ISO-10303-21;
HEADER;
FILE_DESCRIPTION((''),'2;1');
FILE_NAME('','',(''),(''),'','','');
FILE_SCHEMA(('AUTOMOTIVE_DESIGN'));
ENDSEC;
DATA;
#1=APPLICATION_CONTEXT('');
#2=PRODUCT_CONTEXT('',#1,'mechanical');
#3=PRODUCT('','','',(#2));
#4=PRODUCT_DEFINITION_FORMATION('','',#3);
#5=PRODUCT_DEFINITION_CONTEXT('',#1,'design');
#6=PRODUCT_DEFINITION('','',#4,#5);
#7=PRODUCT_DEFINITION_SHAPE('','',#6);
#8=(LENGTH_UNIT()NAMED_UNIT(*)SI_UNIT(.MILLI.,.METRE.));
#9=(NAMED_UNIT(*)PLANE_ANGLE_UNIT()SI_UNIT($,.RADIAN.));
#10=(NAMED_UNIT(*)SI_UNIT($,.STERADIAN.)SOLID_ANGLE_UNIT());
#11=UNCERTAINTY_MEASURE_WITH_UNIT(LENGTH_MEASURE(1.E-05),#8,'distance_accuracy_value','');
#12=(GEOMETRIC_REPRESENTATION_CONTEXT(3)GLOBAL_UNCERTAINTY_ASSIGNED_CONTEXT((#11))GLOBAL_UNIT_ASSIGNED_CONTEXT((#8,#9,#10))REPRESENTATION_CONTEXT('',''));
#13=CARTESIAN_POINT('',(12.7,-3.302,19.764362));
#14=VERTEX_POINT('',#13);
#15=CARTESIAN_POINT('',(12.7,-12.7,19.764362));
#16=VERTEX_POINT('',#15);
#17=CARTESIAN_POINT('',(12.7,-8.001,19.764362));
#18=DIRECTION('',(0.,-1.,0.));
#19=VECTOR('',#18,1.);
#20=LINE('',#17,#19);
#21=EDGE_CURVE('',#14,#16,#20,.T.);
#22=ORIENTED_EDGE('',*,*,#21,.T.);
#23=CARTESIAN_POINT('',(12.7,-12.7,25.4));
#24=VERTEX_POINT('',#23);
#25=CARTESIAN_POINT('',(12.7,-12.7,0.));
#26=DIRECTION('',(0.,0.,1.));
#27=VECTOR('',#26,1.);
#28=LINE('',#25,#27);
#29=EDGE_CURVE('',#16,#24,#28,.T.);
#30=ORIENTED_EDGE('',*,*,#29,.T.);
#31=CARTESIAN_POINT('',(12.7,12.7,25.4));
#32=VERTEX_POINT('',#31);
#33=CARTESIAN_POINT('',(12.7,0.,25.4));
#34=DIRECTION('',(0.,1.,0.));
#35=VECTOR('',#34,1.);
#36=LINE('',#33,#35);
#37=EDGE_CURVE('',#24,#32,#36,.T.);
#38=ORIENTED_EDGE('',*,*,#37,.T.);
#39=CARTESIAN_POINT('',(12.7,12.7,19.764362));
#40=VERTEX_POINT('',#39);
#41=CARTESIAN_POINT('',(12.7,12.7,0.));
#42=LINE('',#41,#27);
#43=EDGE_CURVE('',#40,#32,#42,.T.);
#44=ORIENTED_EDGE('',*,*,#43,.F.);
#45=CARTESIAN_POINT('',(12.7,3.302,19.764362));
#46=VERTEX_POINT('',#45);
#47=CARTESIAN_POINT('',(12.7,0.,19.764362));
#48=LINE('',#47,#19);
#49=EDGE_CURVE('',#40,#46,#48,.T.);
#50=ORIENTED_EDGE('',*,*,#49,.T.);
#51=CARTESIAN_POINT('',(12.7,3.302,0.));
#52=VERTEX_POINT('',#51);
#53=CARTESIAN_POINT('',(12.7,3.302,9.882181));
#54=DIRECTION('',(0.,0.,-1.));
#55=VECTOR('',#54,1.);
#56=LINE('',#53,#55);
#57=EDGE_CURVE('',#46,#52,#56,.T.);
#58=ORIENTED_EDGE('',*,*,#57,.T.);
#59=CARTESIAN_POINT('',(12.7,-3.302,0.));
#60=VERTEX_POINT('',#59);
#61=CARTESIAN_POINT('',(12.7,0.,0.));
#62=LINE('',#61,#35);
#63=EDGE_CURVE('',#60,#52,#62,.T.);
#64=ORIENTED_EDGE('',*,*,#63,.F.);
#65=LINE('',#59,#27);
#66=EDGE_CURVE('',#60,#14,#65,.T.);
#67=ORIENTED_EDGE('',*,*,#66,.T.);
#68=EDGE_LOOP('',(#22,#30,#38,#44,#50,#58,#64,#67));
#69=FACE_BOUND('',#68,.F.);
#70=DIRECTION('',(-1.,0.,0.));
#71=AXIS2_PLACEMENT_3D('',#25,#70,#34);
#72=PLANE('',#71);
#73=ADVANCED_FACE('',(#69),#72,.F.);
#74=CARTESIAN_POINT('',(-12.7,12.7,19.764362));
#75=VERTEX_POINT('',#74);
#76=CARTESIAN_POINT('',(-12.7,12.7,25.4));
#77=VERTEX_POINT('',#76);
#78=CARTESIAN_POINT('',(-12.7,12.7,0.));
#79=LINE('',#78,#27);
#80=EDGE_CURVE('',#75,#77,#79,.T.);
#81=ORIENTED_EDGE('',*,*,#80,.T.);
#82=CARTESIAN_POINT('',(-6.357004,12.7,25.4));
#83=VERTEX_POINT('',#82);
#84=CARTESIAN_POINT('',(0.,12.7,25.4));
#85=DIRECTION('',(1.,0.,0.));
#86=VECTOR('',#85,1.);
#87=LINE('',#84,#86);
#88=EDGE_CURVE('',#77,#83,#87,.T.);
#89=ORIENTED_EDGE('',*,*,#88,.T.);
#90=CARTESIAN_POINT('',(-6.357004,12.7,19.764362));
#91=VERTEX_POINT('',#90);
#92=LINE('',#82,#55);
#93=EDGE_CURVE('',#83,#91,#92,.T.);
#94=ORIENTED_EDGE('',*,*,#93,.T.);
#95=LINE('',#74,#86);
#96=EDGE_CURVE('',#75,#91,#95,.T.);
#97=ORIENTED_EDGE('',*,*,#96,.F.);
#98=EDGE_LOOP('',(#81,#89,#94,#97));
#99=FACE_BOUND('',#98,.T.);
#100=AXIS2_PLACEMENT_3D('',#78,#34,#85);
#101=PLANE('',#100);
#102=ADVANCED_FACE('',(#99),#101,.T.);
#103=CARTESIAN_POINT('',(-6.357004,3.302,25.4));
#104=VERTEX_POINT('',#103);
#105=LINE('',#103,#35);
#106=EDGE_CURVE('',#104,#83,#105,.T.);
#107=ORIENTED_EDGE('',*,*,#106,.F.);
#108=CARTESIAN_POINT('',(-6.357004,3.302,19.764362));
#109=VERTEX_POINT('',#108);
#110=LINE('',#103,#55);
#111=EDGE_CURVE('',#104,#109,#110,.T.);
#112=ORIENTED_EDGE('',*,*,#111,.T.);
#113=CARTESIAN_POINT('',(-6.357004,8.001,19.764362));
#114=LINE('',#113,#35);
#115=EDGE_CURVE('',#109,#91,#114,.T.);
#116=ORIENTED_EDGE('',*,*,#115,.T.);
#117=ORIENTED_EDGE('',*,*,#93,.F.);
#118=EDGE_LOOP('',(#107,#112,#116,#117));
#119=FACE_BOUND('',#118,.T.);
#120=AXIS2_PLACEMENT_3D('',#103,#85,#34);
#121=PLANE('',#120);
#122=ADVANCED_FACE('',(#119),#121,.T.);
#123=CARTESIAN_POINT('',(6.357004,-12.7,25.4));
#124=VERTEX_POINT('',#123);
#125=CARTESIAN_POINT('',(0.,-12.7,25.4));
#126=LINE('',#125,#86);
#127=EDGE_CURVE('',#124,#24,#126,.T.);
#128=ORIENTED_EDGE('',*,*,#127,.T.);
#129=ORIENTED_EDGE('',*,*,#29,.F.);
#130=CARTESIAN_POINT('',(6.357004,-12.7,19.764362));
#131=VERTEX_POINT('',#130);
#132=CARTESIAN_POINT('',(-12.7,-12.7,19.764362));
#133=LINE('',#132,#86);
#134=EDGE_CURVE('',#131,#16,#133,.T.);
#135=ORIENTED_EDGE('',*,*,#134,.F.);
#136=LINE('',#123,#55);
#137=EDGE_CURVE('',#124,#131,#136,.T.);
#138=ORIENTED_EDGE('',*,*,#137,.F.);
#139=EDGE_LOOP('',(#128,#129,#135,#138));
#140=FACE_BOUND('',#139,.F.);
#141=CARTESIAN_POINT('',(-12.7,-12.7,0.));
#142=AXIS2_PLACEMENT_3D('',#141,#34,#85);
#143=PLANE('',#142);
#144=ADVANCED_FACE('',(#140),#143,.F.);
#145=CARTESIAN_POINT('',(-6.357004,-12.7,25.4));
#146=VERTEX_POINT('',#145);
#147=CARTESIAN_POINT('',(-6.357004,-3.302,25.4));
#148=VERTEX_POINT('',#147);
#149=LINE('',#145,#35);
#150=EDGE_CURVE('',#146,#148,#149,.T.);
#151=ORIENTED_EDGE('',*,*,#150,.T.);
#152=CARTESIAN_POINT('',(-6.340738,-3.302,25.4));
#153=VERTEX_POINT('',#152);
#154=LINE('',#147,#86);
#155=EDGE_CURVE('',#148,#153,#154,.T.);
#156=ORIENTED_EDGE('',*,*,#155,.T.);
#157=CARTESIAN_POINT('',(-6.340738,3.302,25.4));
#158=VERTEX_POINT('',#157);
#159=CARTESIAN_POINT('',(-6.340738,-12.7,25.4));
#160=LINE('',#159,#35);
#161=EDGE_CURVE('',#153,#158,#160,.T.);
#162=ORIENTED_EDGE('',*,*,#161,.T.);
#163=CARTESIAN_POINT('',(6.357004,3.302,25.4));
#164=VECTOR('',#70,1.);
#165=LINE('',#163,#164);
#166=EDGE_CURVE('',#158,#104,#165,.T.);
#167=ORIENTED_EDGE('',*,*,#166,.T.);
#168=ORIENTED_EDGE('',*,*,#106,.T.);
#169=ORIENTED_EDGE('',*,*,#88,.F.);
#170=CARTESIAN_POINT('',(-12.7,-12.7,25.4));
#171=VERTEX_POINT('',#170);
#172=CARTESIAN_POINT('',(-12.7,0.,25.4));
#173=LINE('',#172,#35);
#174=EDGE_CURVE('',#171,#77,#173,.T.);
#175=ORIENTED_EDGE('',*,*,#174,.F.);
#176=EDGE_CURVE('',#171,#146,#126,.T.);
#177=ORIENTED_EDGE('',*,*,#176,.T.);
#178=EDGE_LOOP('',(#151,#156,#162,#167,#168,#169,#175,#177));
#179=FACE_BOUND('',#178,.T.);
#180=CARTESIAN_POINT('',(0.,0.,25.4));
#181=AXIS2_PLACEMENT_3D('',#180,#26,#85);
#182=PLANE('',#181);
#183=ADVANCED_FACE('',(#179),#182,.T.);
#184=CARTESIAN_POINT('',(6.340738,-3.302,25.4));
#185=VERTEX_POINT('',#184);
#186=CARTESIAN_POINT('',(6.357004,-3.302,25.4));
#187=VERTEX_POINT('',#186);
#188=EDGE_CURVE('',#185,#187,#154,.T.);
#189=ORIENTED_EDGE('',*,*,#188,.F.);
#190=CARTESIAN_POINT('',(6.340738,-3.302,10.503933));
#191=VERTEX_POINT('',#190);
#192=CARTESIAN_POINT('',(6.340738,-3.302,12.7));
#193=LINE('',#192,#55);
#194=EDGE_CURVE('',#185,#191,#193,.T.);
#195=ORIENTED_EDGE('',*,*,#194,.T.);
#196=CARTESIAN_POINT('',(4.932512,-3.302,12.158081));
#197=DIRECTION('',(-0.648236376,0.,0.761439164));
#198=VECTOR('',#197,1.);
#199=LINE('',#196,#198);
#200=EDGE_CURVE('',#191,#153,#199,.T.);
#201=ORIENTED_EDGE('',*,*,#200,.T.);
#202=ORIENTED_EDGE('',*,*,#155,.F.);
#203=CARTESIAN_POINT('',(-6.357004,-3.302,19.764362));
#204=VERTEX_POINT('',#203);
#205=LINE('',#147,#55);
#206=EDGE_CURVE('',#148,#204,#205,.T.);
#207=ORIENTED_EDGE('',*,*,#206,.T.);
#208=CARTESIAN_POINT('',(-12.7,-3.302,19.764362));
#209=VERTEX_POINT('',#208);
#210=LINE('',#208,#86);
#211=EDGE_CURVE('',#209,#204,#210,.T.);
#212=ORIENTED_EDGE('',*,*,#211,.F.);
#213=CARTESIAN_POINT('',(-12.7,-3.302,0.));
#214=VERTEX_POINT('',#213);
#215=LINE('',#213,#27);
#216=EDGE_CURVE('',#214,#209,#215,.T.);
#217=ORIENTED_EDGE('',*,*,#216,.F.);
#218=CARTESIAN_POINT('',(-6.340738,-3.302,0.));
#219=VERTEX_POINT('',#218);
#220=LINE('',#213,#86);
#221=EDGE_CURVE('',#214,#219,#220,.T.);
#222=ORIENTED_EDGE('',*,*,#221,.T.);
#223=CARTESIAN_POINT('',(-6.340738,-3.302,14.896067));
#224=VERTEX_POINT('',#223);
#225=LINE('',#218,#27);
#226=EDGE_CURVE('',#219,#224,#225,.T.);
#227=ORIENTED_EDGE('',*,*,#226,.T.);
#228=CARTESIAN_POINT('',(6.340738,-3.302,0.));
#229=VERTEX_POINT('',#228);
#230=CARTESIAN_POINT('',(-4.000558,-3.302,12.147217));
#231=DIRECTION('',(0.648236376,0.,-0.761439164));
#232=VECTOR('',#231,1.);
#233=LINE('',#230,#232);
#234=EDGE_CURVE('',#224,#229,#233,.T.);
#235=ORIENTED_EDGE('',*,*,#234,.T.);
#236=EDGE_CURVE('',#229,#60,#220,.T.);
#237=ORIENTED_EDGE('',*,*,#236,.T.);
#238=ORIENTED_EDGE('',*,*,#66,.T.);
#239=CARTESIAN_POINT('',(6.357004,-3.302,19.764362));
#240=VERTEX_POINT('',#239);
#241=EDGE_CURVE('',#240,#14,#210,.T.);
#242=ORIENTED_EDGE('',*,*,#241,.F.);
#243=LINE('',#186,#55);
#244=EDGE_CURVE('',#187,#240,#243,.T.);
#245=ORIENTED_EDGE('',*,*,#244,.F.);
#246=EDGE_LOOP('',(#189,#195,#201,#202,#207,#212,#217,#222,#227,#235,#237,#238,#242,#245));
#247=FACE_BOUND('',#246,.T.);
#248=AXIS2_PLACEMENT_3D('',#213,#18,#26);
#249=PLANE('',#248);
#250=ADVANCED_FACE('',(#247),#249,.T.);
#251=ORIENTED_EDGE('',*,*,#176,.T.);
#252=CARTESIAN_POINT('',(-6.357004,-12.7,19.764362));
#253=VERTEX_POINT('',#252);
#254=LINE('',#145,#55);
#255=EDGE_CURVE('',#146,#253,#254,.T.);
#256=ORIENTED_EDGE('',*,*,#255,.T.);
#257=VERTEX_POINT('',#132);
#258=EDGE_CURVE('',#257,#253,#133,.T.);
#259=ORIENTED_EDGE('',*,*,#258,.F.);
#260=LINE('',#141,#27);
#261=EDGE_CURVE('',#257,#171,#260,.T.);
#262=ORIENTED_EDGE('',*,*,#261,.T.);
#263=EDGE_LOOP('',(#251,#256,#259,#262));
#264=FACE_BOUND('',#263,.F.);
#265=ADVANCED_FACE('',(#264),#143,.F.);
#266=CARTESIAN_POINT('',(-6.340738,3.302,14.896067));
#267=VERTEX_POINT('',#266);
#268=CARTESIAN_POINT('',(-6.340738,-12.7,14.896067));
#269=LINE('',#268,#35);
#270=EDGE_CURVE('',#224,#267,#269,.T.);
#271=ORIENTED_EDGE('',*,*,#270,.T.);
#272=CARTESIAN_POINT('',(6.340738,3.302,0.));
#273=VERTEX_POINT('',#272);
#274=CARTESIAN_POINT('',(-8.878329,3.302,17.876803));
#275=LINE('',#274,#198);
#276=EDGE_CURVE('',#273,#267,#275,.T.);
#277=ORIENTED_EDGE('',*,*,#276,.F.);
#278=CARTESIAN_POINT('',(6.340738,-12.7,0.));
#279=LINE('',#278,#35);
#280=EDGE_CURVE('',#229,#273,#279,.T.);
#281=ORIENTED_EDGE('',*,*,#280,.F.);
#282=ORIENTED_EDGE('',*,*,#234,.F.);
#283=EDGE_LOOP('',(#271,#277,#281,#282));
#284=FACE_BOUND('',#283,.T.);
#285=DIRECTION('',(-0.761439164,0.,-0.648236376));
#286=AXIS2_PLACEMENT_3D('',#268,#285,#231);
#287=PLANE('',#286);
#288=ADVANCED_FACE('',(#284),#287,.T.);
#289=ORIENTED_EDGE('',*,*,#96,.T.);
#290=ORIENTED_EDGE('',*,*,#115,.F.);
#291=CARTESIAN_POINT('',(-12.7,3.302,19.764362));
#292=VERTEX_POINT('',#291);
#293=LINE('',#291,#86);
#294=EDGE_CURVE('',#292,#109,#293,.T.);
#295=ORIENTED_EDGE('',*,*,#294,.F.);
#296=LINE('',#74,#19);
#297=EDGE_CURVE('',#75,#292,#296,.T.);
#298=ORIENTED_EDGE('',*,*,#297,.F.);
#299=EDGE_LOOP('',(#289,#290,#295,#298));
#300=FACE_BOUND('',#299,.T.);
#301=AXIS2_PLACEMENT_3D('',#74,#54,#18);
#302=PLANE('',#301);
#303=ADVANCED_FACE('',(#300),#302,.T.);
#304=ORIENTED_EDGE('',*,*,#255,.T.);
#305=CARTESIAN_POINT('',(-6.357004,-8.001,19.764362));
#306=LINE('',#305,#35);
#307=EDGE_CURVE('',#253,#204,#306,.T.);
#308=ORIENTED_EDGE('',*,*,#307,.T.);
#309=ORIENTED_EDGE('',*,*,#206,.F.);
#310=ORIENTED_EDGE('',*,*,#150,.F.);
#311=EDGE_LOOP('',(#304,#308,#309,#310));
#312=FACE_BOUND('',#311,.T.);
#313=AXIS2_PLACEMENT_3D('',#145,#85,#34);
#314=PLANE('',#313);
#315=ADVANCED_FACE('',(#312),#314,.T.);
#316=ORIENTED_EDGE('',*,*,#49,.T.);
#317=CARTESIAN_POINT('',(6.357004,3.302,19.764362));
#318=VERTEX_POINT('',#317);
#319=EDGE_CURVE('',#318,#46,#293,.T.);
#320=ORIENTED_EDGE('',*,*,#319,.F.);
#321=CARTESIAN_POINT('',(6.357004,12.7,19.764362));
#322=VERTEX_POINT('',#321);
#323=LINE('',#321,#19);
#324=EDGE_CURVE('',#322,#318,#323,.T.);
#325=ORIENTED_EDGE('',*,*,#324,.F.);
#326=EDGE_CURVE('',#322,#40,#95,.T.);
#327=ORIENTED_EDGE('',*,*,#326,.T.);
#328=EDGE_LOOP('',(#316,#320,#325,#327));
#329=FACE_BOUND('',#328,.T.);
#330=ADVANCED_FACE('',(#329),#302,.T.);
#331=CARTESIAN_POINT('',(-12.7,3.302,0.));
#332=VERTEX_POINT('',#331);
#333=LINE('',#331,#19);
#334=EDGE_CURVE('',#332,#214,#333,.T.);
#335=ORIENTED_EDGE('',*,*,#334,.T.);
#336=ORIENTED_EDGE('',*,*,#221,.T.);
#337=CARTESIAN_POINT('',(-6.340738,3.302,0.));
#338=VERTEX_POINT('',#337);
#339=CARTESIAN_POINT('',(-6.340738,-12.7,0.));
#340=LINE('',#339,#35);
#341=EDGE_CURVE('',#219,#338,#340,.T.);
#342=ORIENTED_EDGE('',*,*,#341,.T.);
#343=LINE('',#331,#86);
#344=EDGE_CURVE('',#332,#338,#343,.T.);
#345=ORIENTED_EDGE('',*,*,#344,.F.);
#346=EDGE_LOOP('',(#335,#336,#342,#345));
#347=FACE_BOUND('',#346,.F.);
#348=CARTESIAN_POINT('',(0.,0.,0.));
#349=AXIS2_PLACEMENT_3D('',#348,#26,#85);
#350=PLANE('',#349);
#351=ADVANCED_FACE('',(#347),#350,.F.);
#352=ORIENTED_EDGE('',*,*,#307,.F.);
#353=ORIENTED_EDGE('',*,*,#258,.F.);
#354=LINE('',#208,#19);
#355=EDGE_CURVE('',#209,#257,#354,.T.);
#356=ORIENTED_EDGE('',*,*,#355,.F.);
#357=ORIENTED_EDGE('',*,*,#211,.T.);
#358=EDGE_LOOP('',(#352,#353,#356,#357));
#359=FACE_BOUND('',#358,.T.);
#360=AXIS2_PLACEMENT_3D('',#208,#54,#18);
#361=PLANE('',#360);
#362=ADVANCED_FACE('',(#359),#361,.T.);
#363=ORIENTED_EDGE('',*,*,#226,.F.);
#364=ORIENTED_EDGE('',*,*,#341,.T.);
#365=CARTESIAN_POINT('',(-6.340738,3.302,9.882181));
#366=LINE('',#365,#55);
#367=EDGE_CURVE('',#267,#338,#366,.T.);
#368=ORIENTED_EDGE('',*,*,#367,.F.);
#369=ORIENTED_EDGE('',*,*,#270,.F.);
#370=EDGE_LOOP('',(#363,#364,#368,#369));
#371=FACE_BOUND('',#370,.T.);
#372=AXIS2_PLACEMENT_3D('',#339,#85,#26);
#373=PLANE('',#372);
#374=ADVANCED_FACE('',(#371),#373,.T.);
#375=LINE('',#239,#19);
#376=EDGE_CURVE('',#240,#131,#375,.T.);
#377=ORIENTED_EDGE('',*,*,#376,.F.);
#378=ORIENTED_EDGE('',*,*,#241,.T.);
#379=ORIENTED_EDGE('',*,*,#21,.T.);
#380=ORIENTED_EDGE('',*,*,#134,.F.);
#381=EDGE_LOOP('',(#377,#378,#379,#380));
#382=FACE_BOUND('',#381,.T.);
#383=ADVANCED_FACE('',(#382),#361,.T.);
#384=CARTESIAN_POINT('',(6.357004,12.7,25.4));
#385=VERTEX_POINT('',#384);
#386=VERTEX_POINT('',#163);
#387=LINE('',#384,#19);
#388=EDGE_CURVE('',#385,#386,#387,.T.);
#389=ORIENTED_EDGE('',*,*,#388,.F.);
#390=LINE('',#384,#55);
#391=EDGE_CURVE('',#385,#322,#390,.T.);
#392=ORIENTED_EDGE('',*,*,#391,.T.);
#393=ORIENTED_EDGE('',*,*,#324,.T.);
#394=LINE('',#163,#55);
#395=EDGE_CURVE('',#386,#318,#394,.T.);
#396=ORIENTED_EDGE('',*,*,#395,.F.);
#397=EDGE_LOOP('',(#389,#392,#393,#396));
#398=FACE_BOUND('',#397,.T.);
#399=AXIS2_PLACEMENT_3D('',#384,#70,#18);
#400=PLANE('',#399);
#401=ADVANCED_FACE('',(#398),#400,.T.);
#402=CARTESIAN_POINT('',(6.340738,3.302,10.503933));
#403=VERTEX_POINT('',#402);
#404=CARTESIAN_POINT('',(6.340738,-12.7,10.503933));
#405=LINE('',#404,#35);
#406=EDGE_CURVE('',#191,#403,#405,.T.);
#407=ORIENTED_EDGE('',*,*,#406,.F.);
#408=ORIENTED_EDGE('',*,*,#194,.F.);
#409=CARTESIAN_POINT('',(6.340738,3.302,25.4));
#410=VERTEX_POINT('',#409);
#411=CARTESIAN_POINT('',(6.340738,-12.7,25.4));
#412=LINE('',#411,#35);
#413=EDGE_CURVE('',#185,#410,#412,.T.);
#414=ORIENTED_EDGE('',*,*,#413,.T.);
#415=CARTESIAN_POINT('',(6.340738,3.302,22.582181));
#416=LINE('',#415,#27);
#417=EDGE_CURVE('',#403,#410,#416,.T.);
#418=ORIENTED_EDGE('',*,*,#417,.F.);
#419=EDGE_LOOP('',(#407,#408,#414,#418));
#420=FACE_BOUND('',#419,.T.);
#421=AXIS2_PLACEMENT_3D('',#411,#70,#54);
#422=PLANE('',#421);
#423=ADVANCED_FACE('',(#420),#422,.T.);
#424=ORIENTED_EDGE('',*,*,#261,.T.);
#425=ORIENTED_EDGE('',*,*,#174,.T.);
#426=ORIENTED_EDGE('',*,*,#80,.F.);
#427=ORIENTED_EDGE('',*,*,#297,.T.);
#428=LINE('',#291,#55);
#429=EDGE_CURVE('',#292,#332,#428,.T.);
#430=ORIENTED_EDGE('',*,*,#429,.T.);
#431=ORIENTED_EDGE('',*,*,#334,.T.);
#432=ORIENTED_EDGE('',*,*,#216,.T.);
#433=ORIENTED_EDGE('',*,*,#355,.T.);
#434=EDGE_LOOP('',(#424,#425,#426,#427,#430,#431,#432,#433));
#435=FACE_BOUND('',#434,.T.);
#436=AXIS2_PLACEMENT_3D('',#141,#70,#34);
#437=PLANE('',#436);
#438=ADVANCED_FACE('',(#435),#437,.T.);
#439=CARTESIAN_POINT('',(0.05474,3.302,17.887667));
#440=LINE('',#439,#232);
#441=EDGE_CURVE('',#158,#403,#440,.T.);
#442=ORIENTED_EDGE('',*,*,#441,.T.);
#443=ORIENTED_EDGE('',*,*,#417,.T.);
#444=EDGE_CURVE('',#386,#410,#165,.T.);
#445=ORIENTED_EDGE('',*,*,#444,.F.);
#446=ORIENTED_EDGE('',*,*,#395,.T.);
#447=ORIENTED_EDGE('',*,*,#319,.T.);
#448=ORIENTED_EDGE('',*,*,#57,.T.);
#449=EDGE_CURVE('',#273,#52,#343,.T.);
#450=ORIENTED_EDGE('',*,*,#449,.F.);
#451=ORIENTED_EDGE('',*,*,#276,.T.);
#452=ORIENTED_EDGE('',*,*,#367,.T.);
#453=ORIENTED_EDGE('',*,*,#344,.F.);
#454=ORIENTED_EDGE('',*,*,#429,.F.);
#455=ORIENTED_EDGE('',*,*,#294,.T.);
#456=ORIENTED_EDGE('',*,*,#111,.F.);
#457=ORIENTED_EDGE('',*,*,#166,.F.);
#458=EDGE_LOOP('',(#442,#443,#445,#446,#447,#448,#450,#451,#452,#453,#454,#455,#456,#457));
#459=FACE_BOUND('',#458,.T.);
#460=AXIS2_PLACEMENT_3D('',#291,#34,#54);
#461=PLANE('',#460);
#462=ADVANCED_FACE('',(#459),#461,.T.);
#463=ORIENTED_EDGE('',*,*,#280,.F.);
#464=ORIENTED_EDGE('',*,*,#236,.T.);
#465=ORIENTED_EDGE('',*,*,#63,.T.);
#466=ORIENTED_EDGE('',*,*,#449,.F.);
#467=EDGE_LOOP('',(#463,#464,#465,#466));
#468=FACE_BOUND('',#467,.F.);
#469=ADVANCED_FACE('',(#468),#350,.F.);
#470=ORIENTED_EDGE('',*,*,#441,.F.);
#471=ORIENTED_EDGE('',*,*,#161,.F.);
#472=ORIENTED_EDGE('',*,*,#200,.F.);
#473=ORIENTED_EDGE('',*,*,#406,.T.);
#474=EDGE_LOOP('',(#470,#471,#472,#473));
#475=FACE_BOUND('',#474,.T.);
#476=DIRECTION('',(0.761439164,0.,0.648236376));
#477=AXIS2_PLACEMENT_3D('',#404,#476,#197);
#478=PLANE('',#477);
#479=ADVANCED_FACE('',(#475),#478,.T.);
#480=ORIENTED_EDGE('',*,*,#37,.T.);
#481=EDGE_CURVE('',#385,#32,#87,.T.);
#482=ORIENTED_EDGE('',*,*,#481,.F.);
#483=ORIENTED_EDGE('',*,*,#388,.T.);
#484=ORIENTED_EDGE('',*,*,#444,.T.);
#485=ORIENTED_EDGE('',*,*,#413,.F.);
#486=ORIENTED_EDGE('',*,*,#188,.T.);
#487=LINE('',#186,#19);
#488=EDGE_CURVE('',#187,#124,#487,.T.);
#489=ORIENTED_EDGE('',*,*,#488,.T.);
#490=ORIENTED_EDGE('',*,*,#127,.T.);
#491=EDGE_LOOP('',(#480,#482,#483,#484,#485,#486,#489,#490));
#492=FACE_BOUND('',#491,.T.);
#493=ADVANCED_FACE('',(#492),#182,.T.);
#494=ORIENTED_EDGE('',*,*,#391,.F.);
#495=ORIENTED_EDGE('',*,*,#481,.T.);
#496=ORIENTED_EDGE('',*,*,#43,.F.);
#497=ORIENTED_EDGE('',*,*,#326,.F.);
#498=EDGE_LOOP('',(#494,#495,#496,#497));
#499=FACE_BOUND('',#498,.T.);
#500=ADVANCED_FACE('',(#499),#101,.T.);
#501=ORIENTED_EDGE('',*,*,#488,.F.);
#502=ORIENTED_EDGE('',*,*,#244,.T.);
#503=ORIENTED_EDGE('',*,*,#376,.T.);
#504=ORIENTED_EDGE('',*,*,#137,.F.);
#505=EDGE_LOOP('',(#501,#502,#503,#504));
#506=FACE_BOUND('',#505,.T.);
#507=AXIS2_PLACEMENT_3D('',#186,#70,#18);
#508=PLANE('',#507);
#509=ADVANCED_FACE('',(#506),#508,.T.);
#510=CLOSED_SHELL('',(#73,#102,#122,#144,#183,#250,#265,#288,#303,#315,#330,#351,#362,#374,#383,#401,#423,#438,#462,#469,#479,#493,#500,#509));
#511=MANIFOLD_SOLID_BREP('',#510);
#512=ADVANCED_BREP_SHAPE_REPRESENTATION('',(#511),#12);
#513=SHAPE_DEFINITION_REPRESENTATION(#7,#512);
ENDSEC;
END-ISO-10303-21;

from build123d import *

# Parameters (mm, degrees)
F0_W     = 25.4
F0_H     = 25.4
F1_DEPTH = 25.4
F5_DEPTH = 25.401
F6_DEPTH = 25.401
F7_DEPTH = 25.401


with BuildPart() as f1:
    # F0 (on Top) → F1 (new body)
    with BuildSketch(Plane.XY):
        Rectangle(F0_W, F0_H)
    extrude(amount=F1_DEPTH)

    # F2 (on face) → F5 (intersect, through all)
    with BuildSketch(Plane.XY.offset(25.4)):
        Polygon((-6.357004, 12.7), (-12.7, 12.7), (-12.7, -12.7), (-6.357004, -12.7), (-6.357004, -3.302), (0, -3.302), (6.357004, -3.302), (6.357004, -12.7), (12.7, -12.7), (12.7, 12.7), (6.357004, 12.7), (6.357004, 3.302), (0, 3.302), (-6.357004, 3.302), align=None)
    extrude(amount=-F5_DEPTH, mode=Mode.INTERSECT)

    # F3 (on face) → F6 (intersect, through all)
    with BuildSketch(Plane(origin=(-12.7, 0, 0), x_dir=(0, -1, 0), z_dir=(-1, 0, 0))):
        Polygon((0, 25.4), (-12.7, 25.4), (-12.7, 19.764362), (-3.302, 19.764362), (-3.302, 0), (0, 0), (3.302, 0), (3.302, 19.764362), (12.7, 19.764362), (12.7, 25.4), align=None)
    extrude(amount=-F6_DEPTH, mode=Mode.INTERSECT)

    # F4 (on face) → F7 (intersect, through all)
    with BuildSketch(Plane.XZ.offset(12.7)):
        Polygon((-6.340738, 25.4), (-12.7, 25.4), (-12.7, 0), (-6.340738, 0), (-6.340738, 14.896067), (6.340738, 0), (12.7, 0), (12.7, 25.4), (6.340738, 25.4), (6.340738, 10.503933), align=None)
    extrude(amount=-F7_DEPTH, mode=Mode.INTERSECT)


solid = f1.part
